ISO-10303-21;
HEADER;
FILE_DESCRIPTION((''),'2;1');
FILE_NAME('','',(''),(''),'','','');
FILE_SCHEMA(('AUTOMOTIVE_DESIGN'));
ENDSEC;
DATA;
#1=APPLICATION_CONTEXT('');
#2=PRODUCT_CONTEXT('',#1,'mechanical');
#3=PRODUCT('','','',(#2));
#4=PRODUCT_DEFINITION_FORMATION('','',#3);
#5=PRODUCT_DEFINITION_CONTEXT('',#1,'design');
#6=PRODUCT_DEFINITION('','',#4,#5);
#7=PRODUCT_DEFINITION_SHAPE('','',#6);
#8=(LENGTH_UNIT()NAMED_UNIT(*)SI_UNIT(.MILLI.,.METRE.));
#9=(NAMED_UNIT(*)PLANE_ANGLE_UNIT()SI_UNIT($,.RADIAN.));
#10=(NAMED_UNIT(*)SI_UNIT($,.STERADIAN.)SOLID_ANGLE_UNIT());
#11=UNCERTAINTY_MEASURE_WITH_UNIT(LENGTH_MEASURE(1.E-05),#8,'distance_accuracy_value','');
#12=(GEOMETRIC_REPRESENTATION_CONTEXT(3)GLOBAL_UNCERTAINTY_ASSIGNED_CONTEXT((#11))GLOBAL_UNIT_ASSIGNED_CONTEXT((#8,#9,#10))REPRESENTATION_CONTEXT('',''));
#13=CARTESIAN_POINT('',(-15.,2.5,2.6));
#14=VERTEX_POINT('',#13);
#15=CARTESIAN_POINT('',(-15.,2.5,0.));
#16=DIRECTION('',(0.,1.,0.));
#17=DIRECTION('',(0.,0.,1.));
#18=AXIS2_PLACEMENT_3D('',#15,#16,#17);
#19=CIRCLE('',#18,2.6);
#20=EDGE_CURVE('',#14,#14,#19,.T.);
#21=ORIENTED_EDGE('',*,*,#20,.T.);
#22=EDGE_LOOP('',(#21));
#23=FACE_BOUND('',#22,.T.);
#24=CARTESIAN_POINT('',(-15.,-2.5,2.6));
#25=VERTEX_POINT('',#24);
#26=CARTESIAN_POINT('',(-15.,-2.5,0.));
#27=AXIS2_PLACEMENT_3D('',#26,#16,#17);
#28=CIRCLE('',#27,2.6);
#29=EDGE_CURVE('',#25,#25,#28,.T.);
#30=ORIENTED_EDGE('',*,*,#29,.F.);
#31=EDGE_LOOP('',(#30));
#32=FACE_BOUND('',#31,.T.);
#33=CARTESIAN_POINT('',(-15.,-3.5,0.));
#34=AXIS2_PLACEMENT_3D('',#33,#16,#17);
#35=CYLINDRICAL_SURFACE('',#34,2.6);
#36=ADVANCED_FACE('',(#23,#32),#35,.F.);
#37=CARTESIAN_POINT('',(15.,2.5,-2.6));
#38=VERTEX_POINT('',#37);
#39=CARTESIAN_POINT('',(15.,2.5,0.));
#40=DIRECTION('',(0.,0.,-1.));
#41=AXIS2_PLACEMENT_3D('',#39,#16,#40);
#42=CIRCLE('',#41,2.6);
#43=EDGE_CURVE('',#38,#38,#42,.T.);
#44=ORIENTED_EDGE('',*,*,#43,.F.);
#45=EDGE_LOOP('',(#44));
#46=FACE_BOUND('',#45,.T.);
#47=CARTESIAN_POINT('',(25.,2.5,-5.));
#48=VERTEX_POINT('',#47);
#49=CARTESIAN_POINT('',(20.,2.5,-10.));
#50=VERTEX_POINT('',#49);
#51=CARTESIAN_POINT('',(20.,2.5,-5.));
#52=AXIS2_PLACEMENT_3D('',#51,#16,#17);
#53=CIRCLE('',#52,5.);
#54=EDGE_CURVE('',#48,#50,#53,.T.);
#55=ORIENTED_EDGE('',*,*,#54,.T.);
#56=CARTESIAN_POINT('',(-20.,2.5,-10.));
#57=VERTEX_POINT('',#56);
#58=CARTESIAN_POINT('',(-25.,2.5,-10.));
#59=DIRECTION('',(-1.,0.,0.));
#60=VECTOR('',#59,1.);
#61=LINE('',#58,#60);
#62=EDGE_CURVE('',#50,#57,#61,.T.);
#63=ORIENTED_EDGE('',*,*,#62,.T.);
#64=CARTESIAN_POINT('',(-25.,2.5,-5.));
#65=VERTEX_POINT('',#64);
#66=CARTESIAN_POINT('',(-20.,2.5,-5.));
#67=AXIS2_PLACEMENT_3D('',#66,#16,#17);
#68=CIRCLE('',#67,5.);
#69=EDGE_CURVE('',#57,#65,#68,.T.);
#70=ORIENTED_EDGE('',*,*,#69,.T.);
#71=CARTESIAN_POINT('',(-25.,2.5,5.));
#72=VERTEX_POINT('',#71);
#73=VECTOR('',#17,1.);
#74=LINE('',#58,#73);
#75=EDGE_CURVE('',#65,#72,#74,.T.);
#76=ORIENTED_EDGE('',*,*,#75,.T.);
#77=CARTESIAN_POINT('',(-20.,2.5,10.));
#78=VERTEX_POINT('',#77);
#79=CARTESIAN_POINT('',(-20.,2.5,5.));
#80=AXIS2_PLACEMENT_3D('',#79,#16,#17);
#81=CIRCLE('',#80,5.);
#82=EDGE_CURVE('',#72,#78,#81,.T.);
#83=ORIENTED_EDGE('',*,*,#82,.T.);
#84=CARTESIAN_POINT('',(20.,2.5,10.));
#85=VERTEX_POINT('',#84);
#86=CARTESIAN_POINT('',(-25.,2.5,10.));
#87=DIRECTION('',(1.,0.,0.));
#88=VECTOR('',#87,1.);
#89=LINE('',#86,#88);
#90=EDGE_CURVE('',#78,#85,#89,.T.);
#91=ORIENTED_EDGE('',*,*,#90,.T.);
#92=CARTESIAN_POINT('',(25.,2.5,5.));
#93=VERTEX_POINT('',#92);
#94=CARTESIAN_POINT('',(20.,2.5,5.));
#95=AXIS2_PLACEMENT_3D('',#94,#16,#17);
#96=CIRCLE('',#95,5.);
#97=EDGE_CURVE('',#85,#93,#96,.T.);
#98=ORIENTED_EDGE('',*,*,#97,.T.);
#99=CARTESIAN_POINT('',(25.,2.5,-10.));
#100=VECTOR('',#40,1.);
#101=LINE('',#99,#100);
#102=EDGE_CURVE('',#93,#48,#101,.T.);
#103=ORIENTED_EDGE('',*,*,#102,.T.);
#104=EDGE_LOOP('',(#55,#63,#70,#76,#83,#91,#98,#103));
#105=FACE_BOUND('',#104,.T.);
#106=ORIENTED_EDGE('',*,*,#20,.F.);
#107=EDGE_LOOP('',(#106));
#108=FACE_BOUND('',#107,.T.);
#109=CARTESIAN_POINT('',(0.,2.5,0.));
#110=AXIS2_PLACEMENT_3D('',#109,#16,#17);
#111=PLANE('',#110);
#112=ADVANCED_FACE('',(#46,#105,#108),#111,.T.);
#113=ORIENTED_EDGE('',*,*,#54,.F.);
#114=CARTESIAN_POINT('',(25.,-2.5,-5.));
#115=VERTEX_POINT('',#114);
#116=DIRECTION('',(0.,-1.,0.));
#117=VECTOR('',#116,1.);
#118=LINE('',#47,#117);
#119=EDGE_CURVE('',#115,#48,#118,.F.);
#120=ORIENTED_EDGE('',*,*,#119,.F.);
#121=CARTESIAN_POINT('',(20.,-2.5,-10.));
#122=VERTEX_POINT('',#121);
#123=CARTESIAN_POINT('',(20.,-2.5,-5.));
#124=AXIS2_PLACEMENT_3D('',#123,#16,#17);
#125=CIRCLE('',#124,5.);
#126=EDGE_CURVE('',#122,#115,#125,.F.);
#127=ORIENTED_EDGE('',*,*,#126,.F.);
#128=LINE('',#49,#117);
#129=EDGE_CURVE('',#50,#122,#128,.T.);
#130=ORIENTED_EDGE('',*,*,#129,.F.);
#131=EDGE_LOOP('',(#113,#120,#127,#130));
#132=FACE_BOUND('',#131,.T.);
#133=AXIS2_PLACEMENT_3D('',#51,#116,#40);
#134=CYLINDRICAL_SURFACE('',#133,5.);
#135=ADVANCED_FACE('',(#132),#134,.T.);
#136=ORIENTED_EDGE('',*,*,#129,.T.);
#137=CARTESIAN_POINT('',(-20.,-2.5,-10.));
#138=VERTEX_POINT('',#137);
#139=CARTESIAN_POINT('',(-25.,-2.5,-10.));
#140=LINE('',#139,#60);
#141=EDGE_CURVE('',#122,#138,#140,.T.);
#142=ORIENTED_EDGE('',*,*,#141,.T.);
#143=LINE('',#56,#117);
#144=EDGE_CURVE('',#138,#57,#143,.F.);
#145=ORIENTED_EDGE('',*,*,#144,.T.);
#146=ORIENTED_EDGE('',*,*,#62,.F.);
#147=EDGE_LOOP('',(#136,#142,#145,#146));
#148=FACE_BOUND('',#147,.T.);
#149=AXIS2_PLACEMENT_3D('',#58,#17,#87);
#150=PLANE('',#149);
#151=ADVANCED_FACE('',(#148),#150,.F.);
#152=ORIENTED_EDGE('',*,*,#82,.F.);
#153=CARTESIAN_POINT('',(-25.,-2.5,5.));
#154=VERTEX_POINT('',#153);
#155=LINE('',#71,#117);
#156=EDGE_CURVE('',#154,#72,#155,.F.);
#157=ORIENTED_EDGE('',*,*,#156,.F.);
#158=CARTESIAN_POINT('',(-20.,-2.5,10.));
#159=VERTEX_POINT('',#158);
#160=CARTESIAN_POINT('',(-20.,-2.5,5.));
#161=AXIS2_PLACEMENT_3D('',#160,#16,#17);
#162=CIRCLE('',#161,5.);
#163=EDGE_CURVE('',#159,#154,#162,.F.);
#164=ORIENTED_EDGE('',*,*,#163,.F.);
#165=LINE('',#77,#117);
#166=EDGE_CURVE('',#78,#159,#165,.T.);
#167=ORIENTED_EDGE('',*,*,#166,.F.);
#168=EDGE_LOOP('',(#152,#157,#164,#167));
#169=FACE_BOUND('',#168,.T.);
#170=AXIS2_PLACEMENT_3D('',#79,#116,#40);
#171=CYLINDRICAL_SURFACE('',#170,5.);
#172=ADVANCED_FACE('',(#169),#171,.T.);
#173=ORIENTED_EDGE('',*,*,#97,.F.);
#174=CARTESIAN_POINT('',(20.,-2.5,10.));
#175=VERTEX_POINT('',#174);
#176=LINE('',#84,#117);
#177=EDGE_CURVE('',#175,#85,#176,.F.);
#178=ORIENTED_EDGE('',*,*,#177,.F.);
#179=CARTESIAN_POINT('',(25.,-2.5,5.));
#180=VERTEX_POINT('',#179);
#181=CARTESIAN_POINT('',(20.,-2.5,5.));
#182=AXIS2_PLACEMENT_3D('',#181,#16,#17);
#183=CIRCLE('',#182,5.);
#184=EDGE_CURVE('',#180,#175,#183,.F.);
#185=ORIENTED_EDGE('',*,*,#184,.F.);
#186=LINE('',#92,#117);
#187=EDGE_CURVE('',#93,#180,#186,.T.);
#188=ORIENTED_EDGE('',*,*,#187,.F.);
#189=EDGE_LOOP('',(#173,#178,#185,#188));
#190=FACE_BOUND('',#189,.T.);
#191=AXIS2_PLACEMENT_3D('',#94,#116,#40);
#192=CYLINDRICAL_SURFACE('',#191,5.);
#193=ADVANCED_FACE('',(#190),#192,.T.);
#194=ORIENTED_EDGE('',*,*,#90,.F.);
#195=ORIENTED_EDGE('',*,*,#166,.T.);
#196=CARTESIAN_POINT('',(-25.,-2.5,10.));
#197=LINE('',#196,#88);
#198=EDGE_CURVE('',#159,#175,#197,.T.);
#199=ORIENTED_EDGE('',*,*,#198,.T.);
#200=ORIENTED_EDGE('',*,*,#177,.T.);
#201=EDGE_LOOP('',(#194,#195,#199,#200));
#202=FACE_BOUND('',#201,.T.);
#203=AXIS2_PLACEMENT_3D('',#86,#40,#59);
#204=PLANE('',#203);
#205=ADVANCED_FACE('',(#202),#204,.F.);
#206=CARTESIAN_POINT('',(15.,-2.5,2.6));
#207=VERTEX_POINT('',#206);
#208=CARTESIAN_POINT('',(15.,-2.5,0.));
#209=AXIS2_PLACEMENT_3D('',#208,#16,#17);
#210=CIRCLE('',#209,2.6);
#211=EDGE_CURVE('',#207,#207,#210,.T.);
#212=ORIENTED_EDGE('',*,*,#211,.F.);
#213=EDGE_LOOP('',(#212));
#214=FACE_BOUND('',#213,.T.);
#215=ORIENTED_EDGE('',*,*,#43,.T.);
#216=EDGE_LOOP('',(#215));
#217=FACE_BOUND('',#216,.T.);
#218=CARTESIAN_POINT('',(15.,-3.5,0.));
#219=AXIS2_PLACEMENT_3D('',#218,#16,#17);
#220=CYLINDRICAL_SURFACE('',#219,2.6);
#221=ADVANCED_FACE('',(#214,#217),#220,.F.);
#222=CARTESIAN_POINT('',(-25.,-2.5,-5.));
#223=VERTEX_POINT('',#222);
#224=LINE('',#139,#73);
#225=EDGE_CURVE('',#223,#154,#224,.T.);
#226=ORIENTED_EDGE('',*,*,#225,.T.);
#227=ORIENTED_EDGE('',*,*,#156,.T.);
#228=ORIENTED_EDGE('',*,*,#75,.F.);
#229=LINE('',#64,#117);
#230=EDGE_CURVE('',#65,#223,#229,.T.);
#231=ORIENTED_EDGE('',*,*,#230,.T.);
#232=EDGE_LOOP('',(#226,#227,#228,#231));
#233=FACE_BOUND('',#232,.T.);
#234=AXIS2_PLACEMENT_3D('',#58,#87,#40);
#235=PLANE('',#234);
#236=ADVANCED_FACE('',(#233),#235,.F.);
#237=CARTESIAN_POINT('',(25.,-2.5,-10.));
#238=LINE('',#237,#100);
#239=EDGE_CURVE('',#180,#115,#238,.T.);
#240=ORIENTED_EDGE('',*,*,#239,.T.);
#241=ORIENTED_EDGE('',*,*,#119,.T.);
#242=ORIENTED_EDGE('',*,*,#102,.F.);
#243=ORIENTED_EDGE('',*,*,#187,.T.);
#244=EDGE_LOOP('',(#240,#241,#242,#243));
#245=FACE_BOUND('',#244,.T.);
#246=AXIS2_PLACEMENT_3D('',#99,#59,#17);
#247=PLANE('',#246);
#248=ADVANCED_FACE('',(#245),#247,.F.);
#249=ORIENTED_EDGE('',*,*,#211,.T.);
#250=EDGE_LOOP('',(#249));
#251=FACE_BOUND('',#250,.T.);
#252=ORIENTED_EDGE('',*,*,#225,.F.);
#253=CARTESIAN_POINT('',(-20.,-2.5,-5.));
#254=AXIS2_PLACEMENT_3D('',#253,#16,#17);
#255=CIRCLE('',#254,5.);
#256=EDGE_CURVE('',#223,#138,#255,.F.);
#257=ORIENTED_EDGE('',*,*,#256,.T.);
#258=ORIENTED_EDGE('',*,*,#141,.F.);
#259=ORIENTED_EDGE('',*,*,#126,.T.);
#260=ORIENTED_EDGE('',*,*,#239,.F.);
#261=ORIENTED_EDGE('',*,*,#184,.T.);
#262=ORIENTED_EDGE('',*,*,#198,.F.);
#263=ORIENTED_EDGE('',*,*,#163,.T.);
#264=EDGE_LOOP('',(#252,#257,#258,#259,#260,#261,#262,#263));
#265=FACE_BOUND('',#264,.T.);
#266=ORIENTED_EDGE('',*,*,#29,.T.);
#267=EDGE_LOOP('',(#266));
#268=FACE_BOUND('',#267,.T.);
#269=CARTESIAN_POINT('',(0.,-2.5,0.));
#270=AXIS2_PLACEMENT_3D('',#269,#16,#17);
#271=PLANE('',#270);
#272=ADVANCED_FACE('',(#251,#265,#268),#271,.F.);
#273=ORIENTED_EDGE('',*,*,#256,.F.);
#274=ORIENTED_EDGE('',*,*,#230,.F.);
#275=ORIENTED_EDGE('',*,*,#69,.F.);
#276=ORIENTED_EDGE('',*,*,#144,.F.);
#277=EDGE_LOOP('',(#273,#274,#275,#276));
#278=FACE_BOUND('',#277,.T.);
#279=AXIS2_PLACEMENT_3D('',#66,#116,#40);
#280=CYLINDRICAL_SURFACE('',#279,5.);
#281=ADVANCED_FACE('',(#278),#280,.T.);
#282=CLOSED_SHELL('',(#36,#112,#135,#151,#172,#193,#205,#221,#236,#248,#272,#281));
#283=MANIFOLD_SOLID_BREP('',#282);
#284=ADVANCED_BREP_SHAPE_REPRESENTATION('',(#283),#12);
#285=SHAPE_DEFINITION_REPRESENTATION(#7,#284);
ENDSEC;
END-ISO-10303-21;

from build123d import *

# Parameters (mm, degrees)
ESBO_O1_W                = 50
ESBO_O1_H                = 20
RESSALTO_EXTRUS_O1_DEPTH = 2.5
ESBO_O2_R                = 2.6
CORTE_EXTRUS_O1_DEPTH    = 6
FILETE1_R                = 5


with BuildPart() as part:
    # Esboço1 → Ressalto-extrusão1 (new, symmetric)
    with BuildSketch(Plane(origin=(0, 0, 0), x_dir=(1, 0, 0), z_dir=(0, 1, 0))):
        Rectangle(ESBO_O1_W, ESBO_O1_H)
    extrude(amount=RESSALTO_EXTRUS_O1_DEPTH, both=True)

    # Esboço2 → Corte-extrusão1 (cut)
    with BuildSketch(Plane(origin=(0, 2.5, 0), x_dir=(1, 0, 0), z_dir=(0, 1, 0))):
        with Locations(Location((-15, 0, 0), (0, 0, 270))):
            Circle(ESBO_O2_R)
        with Locations(Location((15, 0, 0), (0, 0, 270))):
            Circle(ESBO_O2_R)
    extrude(amount=-CORTE_EXTRUS_O1_DEPTH, mode=Mode.SUBTRACT)

    # Filete1
    filete1_edges = [part.edges().sort_by_distance(p)[0] for p in [
        (25, 0, 10),
        (-25, 0, 10),
        (-25, 0, -10),
        (25, 0, -10),
    ]]
    fillet(filete1_edges, radius=FILETE1_R)


solid = part.part
